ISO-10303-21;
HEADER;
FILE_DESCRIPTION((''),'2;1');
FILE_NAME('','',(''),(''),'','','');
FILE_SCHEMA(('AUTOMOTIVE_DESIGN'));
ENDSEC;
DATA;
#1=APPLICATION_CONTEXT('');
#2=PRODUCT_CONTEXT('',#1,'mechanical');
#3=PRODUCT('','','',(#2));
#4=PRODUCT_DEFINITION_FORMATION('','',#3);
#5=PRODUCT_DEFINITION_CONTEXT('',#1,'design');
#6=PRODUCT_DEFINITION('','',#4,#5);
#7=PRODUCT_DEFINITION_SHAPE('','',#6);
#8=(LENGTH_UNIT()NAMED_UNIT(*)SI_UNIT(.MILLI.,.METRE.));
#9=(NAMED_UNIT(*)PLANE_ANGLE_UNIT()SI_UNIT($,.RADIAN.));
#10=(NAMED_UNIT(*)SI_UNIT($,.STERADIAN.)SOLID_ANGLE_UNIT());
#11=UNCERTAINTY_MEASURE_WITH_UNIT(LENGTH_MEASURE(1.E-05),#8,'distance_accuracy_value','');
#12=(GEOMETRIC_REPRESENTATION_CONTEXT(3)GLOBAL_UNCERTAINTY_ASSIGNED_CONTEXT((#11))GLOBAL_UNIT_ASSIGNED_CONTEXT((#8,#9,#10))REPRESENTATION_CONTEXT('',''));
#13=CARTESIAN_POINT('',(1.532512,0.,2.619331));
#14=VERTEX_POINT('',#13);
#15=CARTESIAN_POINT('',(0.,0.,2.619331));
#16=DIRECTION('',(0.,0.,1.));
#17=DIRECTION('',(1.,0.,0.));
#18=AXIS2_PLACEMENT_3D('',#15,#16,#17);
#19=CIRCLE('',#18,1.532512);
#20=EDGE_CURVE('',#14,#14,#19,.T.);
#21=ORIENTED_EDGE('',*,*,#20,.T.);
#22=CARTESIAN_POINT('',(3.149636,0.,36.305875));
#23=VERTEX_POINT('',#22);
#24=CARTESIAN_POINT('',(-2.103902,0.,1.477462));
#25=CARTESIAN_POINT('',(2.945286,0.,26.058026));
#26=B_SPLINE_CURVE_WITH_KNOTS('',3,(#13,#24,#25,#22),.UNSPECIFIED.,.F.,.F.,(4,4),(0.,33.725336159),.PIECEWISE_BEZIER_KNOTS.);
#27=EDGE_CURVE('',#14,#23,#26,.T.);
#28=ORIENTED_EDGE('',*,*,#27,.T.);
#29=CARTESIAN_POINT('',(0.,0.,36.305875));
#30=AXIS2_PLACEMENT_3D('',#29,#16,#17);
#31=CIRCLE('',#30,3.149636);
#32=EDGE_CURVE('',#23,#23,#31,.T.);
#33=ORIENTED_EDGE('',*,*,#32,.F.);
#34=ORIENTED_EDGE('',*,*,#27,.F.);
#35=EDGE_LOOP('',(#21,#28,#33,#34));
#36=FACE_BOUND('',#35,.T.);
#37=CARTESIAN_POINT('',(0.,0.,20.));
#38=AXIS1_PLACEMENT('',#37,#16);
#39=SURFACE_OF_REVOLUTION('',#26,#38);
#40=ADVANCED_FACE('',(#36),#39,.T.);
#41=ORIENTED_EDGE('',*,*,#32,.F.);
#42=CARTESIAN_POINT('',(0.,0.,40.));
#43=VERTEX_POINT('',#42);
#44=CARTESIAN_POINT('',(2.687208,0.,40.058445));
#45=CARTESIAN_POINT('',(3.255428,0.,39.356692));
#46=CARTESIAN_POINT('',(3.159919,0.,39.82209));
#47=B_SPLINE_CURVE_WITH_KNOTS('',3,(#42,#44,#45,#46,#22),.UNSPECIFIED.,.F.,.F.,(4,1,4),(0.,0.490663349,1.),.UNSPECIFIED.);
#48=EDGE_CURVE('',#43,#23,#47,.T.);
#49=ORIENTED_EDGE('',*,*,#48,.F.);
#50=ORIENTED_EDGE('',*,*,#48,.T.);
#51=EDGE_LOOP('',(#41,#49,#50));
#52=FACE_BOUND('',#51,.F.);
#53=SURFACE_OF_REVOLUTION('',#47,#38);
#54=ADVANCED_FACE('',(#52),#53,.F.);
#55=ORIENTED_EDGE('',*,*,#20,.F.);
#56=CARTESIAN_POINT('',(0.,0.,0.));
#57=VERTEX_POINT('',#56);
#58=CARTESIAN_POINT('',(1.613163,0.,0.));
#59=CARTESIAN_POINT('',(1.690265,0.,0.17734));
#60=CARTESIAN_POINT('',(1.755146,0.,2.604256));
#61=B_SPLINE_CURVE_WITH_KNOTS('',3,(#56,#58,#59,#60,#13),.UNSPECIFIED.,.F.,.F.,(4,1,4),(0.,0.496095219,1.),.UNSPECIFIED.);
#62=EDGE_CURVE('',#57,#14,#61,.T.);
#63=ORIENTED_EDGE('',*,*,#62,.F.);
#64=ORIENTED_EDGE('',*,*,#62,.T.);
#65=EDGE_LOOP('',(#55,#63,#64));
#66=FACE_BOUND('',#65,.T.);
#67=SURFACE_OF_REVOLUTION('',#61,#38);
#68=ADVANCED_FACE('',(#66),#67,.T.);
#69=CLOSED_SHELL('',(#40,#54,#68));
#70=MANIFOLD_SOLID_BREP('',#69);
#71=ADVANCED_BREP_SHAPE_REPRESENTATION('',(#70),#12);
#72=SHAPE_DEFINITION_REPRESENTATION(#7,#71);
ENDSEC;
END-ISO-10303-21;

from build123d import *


with BuildPart() as f1:
    # F0 (on Front) → F1 (revolve)
    with BuildSketch(Plane.XZ):
        with BuildLine():
            Line((0, 40), (0, 0))
            add(Edge.make_bspline(
                [(0, 0), (1.6131633099, 0), (1.6902651048, 0.1773399244), (1.7551462612, 2.604256264), (1.5325120185, 2.6193312369)],
                knots=[0, 0, 0, 0, 0.4960952192, 1, 1, 1, 1], degree=3))
            add(Edge.make_bspline(
                [(1.5325120185, 2.6193312369), (-2.1039019339, 1.477462356), (2.9452857561, 26.0580256581), (3.1496355404, 36.3058747007)],
                knots=[0, 0, 0, 0, 33.7253361587, 33.7253361587, 33.7253361587, 33.7253361587], degree=3))
            add(Edge.make_bspline(
                [(0, 40), (2.6872083545, 40.0584451854), (3.255428071, 39.3566920487), (3.1599190552, 39.8220904171), (3.1496355404, 36.3058747007)],
                knots=[0, 0, 0, 0, 0.4906633491, 1, 1, 1, 1], degree=3))
        make_face()
    revolve(axis=Axis((0, 0, 20), (0, 0, 1)))


solid = f1.part
